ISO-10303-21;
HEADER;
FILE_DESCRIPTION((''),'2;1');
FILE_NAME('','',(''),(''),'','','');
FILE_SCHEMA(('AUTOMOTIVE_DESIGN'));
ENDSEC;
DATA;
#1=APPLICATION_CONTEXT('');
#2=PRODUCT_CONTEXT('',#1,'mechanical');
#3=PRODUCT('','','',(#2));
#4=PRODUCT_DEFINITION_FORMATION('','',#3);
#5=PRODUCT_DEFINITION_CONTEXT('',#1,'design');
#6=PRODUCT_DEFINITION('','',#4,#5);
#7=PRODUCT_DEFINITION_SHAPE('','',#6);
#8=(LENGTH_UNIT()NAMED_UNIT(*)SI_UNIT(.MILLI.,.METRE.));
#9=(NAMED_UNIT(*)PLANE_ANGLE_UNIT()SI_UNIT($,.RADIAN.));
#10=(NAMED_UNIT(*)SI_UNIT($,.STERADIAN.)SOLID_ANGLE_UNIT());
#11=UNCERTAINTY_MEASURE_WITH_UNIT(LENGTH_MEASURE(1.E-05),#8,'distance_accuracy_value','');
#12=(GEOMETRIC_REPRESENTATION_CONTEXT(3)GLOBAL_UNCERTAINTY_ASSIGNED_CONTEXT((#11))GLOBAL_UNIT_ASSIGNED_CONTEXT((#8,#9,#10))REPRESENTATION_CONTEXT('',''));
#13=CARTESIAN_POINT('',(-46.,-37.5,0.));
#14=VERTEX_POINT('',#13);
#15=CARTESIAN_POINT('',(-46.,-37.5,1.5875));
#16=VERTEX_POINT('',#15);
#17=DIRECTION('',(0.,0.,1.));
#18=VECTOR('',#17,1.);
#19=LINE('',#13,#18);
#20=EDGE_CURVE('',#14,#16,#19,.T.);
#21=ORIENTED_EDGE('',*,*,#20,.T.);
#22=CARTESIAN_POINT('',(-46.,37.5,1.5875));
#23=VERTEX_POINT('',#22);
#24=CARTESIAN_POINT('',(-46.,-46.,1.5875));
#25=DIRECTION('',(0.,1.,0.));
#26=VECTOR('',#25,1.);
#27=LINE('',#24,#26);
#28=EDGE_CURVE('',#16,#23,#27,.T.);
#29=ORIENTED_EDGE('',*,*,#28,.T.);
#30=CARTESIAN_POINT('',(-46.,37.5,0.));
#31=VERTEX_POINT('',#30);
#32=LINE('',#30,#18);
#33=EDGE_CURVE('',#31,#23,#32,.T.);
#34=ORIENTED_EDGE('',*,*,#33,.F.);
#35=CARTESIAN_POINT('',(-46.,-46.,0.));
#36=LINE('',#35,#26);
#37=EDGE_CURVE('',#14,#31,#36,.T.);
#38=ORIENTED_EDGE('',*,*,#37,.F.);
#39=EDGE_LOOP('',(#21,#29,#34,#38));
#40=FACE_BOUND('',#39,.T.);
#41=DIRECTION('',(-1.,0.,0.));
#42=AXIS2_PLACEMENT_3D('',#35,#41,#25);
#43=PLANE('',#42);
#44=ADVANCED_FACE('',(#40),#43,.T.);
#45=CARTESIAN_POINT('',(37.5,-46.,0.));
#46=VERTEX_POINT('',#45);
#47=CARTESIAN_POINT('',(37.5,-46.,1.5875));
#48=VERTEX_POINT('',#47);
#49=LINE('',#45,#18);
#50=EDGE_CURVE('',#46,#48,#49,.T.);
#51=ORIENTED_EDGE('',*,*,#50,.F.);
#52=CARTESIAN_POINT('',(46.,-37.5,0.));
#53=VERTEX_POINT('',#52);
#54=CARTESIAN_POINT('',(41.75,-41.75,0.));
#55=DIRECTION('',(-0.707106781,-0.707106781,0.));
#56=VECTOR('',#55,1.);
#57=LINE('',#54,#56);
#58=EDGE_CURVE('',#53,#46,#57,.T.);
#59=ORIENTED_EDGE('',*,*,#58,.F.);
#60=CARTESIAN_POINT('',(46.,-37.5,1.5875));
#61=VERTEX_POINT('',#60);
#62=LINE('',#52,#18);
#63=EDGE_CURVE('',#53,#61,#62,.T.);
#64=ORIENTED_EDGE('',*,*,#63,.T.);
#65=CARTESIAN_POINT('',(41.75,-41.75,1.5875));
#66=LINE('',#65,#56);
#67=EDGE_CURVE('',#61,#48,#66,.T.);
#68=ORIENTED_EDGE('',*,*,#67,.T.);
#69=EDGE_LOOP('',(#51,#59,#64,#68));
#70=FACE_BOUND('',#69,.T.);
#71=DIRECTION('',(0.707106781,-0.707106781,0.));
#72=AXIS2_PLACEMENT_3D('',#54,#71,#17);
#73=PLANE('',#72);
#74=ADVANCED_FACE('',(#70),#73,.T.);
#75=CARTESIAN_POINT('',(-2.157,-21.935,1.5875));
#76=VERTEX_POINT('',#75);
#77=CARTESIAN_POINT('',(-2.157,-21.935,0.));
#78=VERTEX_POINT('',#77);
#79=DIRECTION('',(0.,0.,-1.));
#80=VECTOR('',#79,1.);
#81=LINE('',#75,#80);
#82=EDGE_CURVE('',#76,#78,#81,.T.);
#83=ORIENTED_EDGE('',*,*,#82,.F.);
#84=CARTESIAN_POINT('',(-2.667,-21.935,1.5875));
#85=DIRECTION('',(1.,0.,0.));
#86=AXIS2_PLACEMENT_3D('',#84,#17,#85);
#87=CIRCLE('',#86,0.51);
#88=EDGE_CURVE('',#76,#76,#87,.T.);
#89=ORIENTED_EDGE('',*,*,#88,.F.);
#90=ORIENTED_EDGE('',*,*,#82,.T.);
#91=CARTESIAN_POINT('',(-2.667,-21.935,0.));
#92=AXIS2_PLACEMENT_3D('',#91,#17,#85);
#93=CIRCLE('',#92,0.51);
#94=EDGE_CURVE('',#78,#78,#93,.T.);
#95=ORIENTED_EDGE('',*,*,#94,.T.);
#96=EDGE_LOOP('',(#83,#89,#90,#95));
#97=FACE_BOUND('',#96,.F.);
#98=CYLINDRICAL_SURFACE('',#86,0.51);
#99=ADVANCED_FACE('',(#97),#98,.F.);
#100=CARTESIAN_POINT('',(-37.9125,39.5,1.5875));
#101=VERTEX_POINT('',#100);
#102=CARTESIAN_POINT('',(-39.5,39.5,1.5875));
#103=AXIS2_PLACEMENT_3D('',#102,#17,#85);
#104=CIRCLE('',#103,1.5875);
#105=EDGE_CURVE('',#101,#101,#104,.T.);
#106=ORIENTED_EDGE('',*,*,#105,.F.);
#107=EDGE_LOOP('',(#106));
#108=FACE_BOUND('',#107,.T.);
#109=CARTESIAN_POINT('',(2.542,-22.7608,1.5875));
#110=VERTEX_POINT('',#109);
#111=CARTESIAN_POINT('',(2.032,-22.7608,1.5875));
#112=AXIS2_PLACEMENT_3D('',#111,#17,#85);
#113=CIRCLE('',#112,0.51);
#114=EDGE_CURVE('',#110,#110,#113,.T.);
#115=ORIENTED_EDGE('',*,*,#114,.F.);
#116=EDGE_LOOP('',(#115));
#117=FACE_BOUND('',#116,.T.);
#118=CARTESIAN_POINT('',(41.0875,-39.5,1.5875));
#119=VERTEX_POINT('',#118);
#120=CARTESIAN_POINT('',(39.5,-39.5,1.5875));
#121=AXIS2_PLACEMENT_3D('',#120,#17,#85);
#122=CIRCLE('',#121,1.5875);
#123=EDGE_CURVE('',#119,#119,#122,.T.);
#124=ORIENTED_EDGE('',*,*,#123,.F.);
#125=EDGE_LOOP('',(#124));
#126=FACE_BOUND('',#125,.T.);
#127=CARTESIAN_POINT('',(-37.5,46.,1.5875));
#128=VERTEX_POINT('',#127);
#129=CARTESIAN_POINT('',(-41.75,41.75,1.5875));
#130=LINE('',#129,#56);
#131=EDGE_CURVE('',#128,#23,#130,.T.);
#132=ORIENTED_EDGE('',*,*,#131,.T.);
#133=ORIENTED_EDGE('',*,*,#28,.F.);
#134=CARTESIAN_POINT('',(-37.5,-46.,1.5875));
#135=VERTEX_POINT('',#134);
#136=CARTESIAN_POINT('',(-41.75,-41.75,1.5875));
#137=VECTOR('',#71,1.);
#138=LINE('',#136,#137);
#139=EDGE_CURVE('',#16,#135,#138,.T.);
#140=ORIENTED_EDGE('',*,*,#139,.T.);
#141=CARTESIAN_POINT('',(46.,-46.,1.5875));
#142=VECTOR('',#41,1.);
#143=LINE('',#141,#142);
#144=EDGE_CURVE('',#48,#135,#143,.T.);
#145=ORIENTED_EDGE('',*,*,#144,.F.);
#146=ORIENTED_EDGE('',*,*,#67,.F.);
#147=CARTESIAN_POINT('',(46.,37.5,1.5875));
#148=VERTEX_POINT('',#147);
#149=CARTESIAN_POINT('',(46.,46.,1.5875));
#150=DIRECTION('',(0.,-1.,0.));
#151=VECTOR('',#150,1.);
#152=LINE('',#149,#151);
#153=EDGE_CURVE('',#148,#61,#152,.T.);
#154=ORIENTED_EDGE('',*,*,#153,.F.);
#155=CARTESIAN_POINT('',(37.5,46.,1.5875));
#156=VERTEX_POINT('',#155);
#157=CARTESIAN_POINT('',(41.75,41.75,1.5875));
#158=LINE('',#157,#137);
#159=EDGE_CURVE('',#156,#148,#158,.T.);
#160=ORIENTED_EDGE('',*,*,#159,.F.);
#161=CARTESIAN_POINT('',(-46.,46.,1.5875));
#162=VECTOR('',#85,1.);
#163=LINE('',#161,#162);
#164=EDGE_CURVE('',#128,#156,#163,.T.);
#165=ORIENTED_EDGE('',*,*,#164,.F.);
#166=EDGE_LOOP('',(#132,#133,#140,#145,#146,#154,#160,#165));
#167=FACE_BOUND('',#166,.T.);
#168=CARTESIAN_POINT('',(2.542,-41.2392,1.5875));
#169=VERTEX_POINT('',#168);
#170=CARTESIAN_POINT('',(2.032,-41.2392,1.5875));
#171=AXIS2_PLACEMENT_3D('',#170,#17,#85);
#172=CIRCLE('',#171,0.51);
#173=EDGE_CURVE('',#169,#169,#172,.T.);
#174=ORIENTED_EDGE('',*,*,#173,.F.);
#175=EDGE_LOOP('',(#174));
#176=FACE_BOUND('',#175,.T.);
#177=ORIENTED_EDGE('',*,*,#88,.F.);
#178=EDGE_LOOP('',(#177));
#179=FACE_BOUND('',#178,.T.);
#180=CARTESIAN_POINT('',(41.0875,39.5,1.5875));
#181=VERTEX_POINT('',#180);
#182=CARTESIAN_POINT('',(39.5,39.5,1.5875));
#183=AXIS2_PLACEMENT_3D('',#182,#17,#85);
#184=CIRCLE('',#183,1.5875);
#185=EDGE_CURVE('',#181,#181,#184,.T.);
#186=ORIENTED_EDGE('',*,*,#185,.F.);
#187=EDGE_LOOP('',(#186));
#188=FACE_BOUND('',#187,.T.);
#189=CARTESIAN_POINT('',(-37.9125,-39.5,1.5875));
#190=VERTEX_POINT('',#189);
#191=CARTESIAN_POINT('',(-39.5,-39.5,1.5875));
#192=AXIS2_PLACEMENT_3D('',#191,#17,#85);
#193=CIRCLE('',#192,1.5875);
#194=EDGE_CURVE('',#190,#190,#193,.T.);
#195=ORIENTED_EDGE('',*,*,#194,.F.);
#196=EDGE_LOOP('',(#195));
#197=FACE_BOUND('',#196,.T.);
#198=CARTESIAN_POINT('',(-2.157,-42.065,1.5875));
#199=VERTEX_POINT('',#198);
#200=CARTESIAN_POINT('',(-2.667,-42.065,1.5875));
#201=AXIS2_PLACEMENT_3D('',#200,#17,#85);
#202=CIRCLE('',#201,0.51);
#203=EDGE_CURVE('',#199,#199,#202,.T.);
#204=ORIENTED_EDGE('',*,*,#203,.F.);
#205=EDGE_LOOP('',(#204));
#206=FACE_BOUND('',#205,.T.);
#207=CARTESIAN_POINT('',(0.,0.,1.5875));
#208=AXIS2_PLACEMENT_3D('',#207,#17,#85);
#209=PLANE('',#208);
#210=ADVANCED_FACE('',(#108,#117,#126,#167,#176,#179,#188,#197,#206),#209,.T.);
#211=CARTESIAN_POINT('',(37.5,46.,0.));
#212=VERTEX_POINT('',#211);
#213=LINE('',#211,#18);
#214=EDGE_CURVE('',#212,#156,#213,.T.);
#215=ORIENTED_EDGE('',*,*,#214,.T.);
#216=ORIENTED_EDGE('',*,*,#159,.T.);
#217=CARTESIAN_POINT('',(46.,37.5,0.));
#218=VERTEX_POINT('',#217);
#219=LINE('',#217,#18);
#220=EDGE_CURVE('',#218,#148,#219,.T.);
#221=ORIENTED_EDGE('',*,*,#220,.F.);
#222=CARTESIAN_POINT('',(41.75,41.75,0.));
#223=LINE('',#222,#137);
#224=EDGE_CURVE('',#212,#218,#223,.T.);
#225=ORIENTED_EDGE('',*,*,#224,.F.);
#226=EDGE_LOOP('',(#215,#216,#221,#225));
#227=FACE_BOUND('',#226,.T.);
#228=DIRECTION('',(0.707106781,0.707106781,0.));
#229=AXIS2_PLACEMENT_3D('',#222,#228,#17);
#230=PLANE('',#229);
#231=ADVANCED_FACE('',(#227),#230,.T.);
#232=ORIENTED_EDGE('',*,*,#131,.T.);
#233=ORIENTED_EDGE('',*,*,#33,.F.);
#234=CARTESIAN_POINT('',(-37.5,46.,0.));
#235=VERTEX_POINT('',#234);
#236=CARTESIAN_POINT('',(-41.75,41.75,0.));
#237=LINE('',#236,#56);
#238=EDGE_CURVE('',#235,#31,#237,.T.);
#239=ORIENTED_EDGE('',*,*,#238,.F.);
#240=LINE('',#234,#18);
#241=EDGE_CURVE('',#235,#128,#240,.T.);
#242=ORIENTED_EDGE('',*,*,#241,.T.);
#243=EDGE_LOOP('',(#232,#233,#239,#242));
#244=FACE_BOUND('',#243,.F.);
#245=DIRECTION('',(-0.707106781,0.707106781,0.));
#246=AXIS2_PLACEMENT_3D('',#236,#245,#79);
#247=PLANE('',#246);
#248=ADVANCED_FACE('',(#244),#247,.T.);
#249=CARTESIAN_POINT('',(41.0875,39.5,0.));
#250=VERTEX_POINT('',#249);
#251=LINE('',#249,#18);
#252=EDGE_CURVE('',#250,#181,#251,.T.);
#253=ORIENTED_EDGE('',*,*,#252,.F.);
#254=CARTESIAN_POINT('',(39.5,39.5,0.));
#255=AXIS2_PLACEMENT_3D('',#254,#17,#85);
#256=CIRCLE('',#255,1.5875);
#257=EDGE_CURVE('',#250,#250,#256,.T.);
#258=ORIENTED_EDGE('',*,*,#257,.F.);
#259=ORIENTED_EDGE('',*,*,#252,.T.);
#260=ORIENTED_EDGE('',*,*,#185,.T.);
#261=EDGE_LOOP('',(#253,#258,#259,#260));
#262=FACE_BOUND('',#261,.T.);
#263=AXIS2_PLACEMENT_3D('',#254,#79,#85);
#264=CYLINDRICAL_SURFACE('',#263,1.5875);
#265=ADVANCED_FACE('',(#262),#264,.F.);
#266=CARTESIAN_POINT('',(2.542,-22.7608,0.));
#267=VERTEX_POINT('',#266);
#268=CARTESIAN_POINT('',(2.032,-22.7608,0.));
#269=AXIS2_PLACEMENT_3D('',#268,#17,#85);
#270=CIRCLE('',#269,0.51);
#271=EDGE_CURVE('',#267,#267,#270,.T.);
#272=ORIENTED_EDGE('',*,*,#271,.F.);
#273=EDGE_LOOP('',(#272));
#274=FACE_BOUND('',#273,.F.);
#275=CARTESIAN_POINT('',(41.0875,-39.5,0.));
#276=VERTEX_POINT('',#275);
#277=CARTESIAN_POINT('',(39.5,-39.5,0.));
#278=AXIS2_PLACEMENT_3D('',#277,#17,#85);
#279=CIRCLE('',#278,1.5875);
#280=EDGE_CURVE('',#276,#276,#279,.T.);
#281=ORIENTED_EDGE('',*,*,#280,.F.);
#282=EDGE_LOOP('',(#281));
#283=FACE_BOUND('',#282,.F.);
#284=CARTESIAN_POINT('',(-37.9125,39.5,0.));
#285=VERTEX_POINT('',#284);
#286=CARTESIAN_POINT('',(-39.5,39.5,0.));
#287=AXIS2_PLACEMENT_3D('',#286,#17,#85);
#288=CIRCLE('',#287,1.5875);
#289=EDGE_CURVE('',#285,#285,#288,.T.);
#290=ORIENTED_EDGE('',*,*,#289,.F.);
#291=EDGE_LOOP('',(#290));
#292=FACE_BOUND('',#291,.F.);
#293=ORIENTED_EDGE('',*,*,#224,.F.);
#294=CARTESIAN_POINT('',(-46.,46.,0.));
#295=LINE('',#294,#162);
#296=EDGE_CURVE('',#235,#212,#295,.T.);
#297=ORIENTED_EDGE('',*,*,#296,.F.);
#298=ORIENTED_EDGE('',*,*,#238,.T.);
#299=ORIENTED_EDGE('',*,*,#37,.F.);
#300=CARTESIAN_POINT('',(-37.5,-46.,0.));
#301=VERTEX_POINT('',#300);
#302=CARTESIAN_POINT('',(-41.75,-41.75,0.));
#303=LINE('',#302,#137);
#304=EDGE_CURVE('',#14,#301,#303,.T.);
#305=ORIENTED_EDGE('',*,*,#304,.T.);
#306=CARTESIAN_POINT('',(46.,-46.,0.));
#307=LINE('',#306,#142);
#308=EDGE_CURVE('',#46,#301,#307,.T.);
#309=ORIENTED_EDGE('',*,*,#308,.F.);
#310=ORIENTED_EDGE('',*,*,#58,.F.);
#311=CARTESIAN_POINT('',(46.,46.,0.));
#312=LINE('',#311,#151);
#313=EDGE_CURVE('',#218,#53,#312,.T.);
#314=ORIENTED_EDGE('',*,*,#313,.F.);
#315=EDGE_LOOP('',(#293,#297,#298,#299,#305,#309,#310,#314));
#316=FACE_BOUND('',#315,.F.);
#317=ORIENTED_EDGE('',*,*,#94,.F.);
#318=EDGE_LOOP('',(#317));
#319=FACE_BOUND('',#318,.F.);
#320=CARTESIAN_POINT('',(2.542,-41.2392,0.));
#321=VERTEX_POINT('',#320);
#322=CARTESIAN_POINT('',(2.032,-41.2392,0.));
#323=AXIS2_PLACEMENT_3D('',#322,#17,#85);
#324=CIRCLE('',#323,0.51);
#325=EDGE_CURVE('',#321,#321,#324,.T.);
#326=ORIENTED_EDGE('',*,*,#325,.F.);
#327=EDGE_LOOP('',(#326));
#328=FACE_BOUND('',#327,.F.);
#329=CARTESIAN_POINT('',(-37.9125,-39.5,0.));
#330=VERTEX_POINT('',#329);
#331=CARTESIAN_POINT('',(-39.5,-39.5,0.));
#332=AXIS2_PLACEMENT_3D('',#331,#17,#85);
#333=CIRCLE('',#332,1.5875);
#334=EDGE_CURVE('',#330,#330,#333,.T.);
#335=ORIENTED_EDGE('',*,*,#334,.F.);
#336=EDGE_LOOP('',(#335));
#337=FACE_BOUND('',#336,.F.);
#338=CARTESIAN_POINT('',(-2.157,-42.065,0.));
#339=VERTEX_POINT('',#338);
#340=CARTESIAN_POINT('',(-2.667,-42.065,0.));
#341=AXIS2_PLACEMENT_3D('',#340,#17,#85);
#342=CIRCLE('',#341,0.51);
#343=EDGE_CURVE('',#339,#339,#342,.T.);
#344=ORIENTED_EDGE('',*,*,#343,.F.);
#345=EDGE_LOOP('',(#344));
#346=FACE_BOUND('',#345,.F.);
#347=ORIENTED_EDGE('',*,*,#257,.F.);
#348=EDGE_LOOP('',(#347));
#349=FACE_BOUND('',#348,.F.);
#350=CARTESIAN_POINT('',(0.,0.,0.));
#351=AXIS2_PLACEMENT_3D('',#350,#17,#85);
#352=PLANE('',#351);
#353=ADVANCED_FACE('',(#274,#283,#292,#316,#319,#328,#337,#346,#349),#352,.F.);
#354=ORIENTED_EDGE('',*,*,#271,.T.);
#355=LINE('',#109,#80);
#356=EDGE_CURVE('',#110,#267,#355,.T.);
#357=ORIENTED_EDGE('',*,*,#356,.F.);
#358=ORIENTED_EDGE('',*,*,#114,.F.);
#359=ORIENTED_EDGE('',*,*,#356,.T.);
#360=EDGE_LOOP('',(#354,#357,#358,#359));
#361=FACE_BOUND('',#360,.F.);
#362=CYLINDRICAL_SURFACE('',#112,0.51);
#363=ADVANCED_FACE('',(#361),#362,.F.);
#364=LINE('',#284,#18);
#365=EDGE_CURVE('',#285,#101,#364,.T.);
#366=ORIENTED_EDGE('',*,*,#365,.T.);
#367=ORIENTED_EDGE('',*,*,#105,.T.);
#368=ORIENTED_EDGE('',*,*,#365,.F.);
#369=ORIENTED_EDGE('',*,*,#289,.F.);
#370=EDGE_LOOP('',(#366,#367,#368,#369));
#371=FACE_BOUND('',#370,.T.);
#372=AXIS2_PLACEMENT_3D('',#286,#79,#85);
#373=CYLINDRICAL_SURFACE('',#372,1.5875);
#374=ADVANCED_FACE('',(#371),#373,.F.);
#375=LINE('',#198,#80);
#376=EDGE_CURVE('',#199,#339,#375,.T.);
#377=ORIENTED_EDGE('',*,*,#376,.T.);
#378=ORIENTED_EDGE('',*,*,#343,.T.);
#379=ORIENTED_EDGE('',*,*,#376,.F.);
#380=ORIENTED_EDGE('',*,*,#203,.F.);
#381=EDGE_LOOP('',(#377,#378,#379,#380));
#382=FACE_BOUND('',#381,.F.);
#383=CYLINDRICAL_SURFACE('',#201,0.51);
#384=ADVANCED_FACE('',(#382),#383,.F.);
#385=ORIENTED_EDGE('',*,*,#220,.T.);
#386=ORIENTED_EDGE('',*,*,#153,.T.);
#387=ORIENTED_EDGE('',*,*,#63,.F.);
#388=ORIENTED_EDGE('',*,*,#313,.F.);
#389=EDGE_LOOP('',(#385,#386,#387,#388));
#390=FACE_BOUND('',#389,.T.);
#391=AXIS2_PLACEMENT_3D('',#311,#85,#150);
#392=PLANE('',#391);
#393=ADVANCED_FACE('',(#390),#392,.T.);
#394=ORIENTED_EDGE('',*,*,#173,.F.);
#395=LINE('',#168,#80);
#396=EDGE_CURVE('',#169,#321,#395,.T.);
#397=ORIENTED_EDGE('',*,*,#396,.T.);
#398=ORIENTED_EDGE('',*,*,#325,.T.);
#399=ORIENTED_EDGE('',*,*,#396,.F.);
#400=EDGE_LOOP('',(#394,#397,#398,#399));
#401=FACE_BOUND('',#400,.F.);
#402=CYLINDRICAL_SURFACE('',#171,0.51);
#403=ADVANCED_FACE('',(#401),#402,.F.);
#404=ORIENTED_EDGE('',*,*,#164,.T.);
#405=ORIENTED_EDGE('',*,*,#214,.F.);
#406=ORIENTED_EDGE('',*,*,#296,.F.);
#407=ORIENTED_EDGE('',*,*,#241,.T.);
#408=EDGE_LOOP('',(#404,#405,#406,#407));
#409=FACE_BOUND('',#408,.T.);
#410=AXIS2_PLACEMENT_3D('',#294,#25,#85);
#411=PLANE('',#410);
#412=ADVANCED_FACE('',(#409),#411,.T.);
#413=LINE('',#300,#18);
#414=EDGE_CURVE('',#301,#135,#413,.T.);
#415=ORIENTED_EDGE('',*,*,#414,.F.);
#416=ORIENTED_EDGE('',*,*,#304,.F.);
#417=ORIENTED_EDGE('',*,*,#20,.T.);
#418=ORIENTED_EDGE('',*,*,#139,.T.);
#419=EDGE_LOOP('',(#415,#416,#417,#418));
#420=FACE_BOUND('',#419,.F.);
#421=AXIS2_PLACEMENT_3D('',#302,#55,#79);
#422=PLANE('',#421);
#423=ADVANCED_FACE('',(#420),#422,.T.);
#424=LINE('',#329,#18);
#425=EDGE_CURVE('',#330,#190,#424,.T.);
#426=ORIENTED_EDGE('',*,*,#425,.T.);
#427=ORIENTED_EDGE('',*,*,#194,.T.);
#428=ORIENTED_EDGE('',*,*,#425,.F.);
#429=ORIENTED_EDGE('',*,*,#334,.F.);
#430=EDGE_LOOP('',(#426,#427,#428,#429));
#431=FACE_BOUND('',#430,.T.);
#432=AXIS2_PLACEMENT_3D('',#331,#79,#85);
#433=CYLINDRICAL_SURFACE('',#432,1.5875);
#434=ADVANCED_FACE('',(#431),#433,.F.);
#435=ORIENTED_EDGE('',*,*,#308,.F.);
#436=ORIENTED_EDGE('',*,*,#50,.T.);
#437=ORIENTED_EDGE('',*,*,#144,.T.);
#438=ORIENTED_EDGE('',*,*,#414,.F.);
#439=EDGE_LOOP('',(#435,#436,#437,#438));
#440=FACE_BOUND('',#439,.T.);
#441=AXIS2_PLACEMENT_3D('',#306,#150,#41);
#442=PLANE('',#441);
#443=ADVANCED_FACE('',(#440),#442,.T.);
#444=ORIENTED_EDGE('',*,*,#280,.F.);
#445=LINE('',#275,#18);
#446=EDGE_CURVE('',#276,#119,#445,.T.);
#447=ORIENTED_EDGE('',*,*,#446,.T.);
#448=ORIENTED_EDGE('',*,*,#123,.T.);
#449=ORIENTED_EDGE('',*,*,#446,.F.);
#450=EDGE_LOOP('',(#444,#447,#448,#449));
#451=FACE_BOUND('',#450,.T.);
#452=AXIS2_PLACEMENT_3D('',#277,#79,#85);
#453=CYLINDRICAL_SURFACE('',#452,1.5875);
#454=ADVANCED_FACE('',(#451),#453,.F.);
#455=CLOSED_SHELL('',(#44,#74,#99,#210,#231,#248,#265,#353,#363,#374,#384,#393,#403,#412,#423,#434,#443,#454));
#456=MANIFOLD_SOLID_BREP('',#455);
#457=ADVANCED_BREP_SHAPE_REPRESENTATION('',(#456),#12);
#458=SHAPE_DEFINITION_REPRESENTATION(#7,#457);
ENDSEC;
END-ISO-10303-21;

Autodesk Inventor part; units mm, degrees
ref_plane "XY Plane" through (0, 0, 0) normal (0, 0, 1) x (1, 0, 0)
sketch "Sketch1" plane through (0, 0, 0) normal (0, 0, 1) x (1, 0, 0)
  line L0 (-46, 46) -> (46, 46)
  line L1 (46, 46) -> (46, -46)
  line L2 (46, -46) -> (-46, -46)
  line L3 (-46, -46) -> (-46, 46)
  circle A0 centre (39.5, 39.5) radius 1.5875
  circle A1 centre (-39.5, 39.5) radius 1.5875
  circle A2 centre (-39.5, -39.5) radius 1.5875
  circle A3 centre (39.5, -39.5) radius 1.5875
  line L4 (0, 10.5587) -> (0, 0)
  line L5 (0, 0) -> (12.3531, 0)
  circle A4 centre (-39.5, 39.5) radius 3.175 construction
  line L6 (-38, 44.6281) -> (-38, 37.8613) construction
  dimension "d0" = 92
  dimension "d1" = 92
  dimension "d508" = 3.175
  dimension "d509" = 79
  dimension "d510" = 79
  dimension "d511" = 6.35
  dimension "d515" = 76
extrude "Extrusion1" add sketch "Sketch1" along normal blind 1.5875
ref_plane "Work Plane_ConnX" through (-32, 0, 0) normal (1, 0, 0) x (0, 1, 0)
ref_plane "Work Plane_ConnY" through (0, 0, 0) normal (0, 1, 0) x (-1, 0, 0)
sketch "Sketch9" plane through (0, 0, 1.5875) normal (0, 0, 1) x (1, 0, 0)
  line L0 (46, 46) -> (46, -46) projected
  line L1 (58.5598, -32) -> (-58.5598, -32)
  circle A0 centre (-2.667, -21.935) radius 0.51
  circle A1 centre (-2.667, -42.065) radius 0.51
  line L2 (0, 26.5598) -> (0, -90.5598) construction
  point P0 (0, 0)
  point P1 (0, -32)
  dimension "d134" = 20.13
  dimension "d136" = 2.667
  dimension "d138" = 1.02
  dimension "d141" = 180
  dimension "d350" = 32
  dimension "d351" = 0
extrude "Holes_Conn_Zminus" cut sketch "Sketch9" against normal through all
sketch "Sketch22" plane through (0, 0, 1.5875) normal (0, 0, 1) x (1, 0, 0)
  line L0 (46, 46) -> (46, -46) projected
  line L1 (0, -1.0026) -> (0, -62.9974) construction
  line L2 (62.8115, -32) -> (-62.8115, -32)
  circle A0 centre (2.032, -22.7608) radius 0.51
  circle A1 centre (2.032, -41.2392) radius 0.51
  point P0 (46, -35)
  point P1 (46, 35)
  point P2 (0, 0)
  point P3 (0, -32)
  dimension "d282" = 180
  dimension "d283" = 18.4785
  dimension "d284" = 1.02
  dimension "d285" = 2.032
  dimension "d352" = 32
  dimension "d353" = 0
extrude "Holes_Conn_Zplus" cut sketch "Sketch22" against normal through all
chamfer "Chamfer4" distance 8.5 angle 45 4 edges at (-46, 46, 0.7937) (46, 46, 0.7937) (46, -46, 0.7937) (-46, -46, 0.7937)
sketch "Sketch31" plane through (0, 0, 1.5875) normal (0, 0, 1) x (1, 0, 0)
  circle A0 centre (39.5, -39.5) radius 3.175
  circle A1 centre (39.5, 39.5) radius 3.175
  circle A2 centre (-39.5, 39.5) radius 3.175
  circle A3 centre (-39.5, -39.5) radius 3.175
  point P0 (0, 0)
  dimension "d5" = 0
  dimension "d516" = 6.35
sketch "Sketch32" plane through (0, 0, 1.5875) normal (0, 0, 1) x (1, 0, 0)
  line L0 (34, -46) -> (34, -37.2218)
  line L1 (34, -37.2218) -> (37.2218, -34)
  line L2 (37.2218, -34) -> (46, -34)
  line L3 (46, 34) -> (37.2218, 34)
  line L4 (37.2218, 34) -> (34, 37.2218)
  line L5 (34, 37.2218) -> (34, 46)
  line L6 (-34, 46) -> (-34, 37.2218)
  line L7 (-34, 37.2218) -> (-37.2218, 34)
  line L8 (-37.2218, 34) -> (-46, 34)
  line L9 (-34, -46) -> (-34, -37.2218)
  line L10 (-34, -37.2218) -> (-37.2218, -34)
  line L11 (-37.2218, -34) -> (-46, -34)
  point P0 (39.5, -39.5)
  point P1 (0, 0)
  dimension "d5" = 0
  dimension "d519" = 5.5
  dimension "d520" = 5.5
sketch "Sketch34" plane through (0, 0, 1.5875) normal (0, 0, 1) x (1, 0, 0)
  line L0 (37.5, -46) -> (-37.5, -46) projected
  line L1 (46, 37.5) -> (46, -37.5) projected
  line L2 (-37.5, 46) -> (37.5, 46) projected
  line L3 (-46, -37.5) -> (-46, 37.5) projected
  line L4 (-46, 46) -> (46, 46) construction
  line L5 (46, 46) -> (46, -46) construction
  line L6 (46, -46) -> (-46, -46) construction
  line L7 (-46, -46) -> (-46, 46) construction
  point P0 (0, 0)
decal "Decal4"
sketch "Sketch35" plane through (0, 0, 0) normal (0, 0, -1) x (-1, 0, 0)
  line L0 (46, -37.5) -> (46, 37.5) projected
  line L1 (37.5, 46) -> (-37.5, 46) projected
  line L2 (-46, 37.5) -> (-46, -37.5) projected
  line L3 (-37.5, -46) -> (37.5, -46) projected
  line L4 (-46, 46) -> (46, 46) construction
  line L5 (46, 46) -> (46, -46) construction
  line L6 (46, -46) -> (-46, -46) construction
  line L7 (-46, -46) -> (-46, 46) construction
  point P0 (0, 0)
decal "Decal5"
properties part number "PCB_RT-IHU" material "FR4"
